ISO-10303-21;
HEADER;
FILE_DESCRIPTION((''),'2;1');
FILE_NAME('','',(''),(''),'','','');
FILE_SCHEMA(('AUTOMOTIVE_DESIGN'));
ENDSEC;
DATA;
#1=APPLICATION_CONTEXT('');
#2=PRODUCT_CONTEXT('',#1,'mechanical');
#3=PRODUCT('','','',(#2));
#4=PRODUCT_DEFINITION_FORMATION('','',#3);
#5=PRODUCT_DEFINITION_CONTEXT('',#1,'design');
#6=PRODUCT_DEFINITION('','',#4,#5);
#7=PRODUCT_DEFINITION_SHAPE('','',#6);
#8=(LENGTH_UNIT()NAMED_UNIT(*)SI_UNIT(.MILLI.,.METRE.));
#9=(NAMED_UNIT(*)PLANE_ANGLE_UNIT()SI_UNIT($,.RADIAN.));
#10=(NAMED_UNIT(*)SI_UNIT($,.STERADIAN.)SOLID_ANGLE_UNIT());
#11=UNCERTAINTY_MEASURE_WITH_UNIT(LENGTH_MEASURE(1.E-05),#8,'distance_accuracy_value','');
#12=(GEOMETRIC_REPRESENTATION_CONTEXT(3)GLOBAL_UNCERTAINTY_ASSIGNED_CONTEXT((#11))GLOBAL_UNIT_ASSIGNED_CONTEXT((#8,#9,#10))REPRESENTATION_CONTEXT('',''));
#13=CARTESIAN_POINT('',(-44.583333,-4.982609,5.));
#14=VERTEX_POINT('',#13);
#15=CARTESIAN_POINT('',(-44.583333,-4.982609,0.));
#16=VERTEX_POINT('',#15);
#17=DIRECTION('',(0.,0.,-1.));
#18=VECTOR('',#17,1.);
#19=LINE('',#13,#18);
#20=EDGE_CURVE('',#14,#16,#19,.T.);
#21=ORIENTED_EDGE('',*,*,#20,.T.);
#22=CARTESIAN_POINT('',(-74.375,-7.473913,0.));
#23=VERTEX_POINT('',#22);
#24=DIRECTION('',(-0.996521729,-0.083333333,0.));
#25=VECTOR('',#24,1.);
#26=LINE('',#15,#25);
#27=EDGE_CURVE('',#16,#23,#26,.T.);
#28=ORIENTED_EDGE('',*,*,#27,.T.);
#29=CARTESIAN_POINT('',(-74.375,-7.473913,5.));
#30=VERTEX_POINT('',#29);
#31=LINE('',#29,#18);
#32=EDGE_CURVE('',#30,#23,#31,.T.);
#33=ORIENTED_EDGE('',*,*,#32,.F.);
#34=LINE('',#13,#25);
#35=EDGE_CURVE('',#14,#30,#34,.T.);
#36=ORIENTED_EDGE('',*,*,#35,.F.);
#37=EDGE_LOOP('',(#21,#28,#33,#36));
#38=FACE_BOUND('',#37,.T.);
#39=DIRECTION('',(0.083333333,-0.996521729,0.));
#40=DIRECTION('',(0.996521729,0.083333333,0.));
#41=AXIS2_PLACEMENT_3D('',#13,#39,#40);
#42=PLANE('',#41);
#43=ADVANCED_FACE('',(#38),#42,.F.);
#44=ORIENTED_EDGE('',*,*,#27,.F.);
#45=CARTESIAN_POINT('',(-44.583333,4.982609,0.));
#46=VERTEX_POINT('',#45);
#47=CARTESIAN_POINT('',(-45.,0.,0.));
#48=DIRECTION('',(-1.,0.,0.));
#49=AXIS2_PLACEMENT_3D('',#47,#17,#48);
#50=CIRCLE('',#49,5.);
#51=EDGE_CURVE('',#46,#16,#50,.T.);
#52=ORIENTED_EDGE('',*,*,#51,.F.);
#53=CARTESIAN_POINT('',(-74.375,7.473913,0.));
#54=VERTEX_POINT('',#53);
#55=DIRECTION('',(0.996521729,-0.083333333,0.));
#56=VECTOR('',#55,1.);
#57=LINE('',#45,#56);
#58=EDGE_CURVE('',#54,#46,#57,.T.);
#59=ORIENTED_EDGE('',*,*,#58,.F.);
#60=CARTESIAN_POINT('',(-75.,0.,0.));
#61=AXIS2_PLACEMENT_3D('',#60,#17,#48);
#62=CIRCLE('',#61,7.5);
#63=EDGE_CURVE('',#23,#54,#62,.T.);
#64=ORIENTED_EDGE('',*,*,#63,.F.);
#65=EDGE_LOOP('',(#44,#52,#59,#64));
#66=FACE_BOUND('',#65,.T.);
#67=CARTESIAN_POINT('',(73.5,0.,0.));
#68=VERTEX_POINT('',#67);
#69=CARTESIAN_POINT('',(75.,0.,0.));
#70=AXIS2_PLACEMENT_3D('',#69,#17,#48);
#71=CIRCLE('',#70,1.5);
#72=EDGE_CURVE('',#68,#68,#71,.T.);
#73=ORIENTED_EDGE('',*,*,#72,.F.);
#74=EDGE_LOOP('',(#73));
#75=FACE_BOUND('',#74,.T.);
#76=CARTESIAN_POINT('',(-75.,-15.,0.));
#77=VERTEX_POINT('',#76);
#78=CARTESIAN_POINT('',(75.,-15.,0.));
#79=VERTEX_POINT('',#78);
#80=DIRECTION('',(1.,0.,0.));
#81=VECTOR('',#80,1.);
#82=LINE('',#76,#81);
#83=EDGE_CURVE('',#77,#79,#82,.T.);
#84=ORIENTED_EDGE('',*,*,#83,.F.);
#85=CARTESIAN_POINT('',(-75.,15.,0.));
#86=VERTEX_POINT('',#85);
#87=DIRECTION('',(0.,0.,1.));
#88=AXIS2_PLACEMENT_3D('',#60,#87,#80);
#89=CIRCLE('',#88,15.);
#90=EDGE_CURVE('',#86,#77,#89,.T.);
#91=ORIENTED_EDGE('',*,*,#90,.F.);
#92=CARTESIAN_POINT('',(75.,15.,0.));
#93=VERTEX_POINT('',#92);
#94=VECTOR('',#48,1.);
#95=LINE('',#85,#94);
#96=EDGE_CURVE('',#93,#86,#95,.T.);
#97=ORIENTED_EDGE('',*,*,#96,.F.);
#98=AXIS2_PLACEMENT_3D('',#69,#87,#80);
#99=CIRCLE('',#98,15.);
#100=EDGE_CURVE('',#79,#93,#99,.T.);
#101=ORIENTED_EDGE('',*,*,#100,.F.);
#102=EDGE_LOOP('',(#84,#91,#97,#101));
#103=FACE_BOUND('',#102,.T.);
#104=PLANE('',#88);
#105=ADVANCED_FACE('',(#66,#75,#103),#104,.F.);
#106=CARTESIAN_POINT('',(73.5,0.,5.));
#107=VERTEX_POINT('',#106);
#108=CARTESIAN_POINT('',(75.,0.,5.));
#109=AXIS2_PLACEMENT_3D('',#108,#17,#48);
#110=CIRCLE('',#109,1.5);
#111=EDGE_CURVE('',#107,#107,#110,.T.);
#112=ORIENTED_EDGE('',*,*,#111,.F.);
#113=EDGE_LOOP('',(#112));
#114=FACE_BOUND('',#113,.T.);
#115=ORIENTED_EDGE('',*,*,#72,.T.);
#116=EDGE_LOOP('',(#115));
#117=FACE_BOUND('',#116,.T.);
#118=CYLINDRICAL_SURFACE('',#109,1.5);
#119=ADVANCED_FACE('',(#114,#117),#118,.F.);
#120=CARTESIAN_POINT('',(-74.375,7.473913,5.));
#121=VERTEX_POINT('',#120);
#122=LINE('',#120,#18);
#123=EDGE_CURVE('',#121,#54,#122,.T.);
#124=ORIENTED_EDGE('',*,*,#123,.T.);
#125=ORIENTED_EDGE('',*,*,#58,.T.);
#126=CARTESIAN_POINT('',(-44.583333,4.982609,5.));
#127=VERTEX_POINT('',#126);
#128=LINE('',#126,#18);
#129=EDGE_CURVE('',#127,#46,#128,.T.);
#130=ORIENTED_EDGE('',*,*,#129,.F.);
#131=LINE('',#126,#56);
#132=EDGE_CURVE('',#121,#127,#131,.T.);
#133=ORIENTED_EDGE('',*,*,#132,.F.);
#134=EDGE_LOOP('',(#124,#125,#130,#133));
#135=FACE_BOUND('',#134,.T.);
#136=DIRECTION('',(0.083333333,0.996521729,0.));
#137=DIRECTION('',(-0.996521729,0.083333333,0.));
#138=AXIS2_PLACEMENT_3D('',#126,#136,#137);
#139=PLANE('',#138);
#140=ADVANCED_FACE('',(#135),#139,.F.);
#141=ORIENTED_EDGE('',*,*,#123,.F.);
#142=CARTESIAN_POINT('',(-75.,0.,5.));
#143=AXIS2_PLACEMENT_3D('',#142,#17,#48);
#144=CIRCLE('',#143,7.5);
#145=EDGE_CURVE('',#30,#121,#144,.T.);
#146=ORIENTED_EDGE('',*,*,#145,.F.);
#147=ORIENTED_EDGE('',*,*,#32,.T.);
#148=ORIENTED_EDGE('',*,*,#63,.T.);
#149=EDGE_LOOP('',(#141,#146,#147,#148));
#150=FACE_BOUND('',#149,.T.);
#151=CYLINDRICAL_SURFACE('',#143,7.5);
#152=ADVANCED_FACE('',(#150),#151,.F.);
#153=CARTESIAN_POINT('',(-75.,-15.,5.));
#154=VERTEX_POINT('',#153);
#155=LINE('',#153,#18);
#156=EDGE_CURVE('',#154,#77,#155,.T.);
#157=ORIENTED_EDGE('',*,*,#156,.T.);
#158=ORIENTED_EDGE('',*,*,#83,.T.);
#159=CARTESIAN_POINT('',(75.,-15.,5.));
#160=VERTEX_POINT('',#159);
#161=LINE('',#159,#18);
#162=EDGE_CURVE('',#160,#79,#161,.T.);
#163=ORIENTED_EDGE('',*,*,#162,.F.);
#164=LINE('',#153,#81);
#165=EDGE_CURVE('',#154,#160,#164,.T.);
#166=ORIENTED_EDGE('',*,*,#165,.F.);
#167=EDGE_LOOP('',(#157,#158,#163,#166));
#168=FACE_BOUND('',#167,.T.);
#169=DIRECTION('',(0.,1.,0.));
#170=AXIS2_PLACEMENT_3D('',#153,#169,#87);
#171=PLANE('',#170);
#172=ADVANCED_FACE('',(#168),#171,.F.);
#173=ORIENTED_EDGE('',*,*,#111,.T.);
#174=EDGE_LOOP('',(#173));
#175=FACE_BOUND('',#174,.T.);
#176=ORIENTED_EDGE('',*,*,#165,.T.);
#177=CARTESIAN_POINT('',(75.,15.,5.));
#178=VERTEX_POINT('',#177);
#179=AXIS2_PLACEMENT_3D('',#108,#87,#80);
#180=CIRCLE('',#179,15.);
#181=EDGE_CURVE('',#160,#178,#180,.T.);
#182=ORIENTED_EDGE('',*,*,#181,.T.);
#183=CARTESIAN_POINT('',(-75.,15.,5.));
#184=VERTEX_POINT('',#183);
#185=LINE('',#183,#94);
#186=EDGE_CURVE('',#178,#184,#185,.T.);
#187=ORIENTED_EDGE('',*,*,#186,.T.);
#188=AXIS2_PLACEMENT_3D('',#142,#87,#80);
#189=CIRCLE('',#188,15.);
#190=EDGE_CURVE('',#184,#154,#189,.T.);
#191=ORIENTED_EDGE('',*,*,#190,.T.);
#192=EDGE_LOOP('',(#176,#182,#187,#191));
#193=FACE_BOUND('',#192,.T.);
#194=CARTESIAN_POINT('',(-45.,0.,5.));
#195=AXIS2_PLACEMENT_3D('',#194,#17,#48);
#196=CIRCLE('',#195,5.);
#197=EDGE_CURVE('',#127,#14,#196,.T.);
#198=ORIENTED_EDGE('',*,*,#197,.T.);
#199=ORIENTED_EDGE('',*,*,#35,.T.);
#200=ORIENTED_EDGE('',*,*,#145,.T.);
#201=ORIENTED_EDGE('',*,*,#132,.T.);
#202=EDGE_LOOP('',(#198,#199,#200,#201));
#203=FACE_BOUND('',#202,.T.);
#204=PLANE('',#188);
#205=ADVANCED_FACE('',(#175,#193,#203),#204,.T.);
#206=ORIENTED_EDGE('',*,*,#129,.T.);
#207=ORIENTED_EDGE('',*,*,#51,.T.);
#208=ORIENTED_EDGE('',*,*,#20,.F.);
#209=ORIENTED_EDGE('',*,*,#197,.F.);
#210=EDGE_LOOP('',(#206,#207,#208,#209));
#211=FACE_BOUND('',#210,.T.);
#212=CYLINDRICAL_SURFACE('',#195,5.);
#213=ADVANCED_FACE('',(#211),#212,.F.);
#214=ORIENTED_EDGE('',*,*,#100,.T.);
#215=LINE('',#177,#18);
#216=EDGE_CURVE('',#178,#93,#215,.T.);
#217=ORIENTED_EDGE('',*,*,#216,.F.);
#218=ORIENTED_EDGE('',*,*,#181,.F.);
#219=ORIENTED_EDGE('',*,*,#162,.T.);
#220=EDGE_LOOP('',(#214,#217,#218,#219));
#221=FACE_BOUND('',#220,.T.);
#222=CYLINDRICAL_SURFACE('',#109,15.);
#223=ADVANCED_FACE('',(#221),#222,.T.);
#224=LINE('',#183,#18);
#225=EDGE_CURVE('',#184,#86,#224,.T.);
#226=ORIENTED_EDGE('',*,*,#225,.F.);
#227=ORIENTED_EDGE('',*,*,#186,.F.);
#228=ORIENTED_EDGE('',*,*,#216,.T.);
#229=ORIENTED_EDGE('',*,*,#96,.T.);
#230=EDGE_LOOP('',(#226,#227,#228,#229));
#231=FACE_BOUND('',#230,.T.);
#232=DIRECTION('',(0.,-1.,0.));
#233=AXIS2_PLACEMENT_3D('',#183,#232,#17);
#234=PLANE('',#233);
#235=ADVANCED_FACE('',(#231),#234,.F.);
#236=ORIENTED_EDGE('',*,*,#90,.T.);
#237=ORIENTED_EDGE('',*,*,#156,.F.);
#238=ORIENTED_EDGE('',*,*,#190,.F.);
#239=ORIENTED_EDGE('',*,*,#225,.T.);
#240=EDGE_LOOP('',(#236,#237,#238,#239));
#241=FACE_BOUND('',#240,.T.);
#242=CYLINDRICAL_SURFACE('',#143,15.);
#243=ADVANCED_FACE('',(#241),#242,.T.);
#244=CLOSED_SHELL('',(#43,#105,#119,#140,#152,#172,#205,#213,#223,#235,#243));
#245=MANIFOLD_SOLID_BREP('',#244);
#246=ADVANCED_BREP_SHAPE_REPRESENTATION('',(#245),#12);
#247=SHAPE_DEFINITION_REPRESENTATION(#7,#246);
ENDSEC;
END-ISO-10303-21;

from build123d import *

# Parameters (mm, degrees)
BOSS_EXTRUDE1_DEPTH = 5
SKETCH4_R           = 1.5
CUT_EXTRUDE1_DEPTH  = 5


with BuildPart() as part:
    # Sketch2 → Boss-Extrude1 (new body)
    with BuildSketch(Plane.XY):
        with BuildLine():
            Line((-75, 15), (75, 15))
            ThreePointArc((75, 15), (90, 0), (75, -15))
            Line((75, -15), (-75, -15))
            ThreePointArc((-75, -15), (-90, 0), (-75, 15))
        make_face()
    extrude(amount=BOSS_EXTRUDE1_DEPTH)

    # Sketch4 → Cut-Extrude1 (cut)
    with BuildSketch(Plane(origin=(0, 0, 0), x_dir=(-1, 0, 0), z_dir=(0, 0, -1))):
        with Locations((-75, 0)):
            Circle(SKETCH4_R)
        with BuildLine():
            Line((44.583333333, 4.982608643), (74.375, 7.473912964))
            ThreePointArc((74.375, 7.473912964), (82.5, 0), (74.375, -7.473912964))
            Line((74.375, -7.473912964), (44.583333333, -4.982608643))
            ThreePointArc((44.583333333, -4.982608643), (40, 0), (44.583333333, 4.982608643))
        make_face()
    extrude(amount=-CUT_EXTRUDE1_DEPTH, mode=Mode.SUBTRACT)


solid = part.part
